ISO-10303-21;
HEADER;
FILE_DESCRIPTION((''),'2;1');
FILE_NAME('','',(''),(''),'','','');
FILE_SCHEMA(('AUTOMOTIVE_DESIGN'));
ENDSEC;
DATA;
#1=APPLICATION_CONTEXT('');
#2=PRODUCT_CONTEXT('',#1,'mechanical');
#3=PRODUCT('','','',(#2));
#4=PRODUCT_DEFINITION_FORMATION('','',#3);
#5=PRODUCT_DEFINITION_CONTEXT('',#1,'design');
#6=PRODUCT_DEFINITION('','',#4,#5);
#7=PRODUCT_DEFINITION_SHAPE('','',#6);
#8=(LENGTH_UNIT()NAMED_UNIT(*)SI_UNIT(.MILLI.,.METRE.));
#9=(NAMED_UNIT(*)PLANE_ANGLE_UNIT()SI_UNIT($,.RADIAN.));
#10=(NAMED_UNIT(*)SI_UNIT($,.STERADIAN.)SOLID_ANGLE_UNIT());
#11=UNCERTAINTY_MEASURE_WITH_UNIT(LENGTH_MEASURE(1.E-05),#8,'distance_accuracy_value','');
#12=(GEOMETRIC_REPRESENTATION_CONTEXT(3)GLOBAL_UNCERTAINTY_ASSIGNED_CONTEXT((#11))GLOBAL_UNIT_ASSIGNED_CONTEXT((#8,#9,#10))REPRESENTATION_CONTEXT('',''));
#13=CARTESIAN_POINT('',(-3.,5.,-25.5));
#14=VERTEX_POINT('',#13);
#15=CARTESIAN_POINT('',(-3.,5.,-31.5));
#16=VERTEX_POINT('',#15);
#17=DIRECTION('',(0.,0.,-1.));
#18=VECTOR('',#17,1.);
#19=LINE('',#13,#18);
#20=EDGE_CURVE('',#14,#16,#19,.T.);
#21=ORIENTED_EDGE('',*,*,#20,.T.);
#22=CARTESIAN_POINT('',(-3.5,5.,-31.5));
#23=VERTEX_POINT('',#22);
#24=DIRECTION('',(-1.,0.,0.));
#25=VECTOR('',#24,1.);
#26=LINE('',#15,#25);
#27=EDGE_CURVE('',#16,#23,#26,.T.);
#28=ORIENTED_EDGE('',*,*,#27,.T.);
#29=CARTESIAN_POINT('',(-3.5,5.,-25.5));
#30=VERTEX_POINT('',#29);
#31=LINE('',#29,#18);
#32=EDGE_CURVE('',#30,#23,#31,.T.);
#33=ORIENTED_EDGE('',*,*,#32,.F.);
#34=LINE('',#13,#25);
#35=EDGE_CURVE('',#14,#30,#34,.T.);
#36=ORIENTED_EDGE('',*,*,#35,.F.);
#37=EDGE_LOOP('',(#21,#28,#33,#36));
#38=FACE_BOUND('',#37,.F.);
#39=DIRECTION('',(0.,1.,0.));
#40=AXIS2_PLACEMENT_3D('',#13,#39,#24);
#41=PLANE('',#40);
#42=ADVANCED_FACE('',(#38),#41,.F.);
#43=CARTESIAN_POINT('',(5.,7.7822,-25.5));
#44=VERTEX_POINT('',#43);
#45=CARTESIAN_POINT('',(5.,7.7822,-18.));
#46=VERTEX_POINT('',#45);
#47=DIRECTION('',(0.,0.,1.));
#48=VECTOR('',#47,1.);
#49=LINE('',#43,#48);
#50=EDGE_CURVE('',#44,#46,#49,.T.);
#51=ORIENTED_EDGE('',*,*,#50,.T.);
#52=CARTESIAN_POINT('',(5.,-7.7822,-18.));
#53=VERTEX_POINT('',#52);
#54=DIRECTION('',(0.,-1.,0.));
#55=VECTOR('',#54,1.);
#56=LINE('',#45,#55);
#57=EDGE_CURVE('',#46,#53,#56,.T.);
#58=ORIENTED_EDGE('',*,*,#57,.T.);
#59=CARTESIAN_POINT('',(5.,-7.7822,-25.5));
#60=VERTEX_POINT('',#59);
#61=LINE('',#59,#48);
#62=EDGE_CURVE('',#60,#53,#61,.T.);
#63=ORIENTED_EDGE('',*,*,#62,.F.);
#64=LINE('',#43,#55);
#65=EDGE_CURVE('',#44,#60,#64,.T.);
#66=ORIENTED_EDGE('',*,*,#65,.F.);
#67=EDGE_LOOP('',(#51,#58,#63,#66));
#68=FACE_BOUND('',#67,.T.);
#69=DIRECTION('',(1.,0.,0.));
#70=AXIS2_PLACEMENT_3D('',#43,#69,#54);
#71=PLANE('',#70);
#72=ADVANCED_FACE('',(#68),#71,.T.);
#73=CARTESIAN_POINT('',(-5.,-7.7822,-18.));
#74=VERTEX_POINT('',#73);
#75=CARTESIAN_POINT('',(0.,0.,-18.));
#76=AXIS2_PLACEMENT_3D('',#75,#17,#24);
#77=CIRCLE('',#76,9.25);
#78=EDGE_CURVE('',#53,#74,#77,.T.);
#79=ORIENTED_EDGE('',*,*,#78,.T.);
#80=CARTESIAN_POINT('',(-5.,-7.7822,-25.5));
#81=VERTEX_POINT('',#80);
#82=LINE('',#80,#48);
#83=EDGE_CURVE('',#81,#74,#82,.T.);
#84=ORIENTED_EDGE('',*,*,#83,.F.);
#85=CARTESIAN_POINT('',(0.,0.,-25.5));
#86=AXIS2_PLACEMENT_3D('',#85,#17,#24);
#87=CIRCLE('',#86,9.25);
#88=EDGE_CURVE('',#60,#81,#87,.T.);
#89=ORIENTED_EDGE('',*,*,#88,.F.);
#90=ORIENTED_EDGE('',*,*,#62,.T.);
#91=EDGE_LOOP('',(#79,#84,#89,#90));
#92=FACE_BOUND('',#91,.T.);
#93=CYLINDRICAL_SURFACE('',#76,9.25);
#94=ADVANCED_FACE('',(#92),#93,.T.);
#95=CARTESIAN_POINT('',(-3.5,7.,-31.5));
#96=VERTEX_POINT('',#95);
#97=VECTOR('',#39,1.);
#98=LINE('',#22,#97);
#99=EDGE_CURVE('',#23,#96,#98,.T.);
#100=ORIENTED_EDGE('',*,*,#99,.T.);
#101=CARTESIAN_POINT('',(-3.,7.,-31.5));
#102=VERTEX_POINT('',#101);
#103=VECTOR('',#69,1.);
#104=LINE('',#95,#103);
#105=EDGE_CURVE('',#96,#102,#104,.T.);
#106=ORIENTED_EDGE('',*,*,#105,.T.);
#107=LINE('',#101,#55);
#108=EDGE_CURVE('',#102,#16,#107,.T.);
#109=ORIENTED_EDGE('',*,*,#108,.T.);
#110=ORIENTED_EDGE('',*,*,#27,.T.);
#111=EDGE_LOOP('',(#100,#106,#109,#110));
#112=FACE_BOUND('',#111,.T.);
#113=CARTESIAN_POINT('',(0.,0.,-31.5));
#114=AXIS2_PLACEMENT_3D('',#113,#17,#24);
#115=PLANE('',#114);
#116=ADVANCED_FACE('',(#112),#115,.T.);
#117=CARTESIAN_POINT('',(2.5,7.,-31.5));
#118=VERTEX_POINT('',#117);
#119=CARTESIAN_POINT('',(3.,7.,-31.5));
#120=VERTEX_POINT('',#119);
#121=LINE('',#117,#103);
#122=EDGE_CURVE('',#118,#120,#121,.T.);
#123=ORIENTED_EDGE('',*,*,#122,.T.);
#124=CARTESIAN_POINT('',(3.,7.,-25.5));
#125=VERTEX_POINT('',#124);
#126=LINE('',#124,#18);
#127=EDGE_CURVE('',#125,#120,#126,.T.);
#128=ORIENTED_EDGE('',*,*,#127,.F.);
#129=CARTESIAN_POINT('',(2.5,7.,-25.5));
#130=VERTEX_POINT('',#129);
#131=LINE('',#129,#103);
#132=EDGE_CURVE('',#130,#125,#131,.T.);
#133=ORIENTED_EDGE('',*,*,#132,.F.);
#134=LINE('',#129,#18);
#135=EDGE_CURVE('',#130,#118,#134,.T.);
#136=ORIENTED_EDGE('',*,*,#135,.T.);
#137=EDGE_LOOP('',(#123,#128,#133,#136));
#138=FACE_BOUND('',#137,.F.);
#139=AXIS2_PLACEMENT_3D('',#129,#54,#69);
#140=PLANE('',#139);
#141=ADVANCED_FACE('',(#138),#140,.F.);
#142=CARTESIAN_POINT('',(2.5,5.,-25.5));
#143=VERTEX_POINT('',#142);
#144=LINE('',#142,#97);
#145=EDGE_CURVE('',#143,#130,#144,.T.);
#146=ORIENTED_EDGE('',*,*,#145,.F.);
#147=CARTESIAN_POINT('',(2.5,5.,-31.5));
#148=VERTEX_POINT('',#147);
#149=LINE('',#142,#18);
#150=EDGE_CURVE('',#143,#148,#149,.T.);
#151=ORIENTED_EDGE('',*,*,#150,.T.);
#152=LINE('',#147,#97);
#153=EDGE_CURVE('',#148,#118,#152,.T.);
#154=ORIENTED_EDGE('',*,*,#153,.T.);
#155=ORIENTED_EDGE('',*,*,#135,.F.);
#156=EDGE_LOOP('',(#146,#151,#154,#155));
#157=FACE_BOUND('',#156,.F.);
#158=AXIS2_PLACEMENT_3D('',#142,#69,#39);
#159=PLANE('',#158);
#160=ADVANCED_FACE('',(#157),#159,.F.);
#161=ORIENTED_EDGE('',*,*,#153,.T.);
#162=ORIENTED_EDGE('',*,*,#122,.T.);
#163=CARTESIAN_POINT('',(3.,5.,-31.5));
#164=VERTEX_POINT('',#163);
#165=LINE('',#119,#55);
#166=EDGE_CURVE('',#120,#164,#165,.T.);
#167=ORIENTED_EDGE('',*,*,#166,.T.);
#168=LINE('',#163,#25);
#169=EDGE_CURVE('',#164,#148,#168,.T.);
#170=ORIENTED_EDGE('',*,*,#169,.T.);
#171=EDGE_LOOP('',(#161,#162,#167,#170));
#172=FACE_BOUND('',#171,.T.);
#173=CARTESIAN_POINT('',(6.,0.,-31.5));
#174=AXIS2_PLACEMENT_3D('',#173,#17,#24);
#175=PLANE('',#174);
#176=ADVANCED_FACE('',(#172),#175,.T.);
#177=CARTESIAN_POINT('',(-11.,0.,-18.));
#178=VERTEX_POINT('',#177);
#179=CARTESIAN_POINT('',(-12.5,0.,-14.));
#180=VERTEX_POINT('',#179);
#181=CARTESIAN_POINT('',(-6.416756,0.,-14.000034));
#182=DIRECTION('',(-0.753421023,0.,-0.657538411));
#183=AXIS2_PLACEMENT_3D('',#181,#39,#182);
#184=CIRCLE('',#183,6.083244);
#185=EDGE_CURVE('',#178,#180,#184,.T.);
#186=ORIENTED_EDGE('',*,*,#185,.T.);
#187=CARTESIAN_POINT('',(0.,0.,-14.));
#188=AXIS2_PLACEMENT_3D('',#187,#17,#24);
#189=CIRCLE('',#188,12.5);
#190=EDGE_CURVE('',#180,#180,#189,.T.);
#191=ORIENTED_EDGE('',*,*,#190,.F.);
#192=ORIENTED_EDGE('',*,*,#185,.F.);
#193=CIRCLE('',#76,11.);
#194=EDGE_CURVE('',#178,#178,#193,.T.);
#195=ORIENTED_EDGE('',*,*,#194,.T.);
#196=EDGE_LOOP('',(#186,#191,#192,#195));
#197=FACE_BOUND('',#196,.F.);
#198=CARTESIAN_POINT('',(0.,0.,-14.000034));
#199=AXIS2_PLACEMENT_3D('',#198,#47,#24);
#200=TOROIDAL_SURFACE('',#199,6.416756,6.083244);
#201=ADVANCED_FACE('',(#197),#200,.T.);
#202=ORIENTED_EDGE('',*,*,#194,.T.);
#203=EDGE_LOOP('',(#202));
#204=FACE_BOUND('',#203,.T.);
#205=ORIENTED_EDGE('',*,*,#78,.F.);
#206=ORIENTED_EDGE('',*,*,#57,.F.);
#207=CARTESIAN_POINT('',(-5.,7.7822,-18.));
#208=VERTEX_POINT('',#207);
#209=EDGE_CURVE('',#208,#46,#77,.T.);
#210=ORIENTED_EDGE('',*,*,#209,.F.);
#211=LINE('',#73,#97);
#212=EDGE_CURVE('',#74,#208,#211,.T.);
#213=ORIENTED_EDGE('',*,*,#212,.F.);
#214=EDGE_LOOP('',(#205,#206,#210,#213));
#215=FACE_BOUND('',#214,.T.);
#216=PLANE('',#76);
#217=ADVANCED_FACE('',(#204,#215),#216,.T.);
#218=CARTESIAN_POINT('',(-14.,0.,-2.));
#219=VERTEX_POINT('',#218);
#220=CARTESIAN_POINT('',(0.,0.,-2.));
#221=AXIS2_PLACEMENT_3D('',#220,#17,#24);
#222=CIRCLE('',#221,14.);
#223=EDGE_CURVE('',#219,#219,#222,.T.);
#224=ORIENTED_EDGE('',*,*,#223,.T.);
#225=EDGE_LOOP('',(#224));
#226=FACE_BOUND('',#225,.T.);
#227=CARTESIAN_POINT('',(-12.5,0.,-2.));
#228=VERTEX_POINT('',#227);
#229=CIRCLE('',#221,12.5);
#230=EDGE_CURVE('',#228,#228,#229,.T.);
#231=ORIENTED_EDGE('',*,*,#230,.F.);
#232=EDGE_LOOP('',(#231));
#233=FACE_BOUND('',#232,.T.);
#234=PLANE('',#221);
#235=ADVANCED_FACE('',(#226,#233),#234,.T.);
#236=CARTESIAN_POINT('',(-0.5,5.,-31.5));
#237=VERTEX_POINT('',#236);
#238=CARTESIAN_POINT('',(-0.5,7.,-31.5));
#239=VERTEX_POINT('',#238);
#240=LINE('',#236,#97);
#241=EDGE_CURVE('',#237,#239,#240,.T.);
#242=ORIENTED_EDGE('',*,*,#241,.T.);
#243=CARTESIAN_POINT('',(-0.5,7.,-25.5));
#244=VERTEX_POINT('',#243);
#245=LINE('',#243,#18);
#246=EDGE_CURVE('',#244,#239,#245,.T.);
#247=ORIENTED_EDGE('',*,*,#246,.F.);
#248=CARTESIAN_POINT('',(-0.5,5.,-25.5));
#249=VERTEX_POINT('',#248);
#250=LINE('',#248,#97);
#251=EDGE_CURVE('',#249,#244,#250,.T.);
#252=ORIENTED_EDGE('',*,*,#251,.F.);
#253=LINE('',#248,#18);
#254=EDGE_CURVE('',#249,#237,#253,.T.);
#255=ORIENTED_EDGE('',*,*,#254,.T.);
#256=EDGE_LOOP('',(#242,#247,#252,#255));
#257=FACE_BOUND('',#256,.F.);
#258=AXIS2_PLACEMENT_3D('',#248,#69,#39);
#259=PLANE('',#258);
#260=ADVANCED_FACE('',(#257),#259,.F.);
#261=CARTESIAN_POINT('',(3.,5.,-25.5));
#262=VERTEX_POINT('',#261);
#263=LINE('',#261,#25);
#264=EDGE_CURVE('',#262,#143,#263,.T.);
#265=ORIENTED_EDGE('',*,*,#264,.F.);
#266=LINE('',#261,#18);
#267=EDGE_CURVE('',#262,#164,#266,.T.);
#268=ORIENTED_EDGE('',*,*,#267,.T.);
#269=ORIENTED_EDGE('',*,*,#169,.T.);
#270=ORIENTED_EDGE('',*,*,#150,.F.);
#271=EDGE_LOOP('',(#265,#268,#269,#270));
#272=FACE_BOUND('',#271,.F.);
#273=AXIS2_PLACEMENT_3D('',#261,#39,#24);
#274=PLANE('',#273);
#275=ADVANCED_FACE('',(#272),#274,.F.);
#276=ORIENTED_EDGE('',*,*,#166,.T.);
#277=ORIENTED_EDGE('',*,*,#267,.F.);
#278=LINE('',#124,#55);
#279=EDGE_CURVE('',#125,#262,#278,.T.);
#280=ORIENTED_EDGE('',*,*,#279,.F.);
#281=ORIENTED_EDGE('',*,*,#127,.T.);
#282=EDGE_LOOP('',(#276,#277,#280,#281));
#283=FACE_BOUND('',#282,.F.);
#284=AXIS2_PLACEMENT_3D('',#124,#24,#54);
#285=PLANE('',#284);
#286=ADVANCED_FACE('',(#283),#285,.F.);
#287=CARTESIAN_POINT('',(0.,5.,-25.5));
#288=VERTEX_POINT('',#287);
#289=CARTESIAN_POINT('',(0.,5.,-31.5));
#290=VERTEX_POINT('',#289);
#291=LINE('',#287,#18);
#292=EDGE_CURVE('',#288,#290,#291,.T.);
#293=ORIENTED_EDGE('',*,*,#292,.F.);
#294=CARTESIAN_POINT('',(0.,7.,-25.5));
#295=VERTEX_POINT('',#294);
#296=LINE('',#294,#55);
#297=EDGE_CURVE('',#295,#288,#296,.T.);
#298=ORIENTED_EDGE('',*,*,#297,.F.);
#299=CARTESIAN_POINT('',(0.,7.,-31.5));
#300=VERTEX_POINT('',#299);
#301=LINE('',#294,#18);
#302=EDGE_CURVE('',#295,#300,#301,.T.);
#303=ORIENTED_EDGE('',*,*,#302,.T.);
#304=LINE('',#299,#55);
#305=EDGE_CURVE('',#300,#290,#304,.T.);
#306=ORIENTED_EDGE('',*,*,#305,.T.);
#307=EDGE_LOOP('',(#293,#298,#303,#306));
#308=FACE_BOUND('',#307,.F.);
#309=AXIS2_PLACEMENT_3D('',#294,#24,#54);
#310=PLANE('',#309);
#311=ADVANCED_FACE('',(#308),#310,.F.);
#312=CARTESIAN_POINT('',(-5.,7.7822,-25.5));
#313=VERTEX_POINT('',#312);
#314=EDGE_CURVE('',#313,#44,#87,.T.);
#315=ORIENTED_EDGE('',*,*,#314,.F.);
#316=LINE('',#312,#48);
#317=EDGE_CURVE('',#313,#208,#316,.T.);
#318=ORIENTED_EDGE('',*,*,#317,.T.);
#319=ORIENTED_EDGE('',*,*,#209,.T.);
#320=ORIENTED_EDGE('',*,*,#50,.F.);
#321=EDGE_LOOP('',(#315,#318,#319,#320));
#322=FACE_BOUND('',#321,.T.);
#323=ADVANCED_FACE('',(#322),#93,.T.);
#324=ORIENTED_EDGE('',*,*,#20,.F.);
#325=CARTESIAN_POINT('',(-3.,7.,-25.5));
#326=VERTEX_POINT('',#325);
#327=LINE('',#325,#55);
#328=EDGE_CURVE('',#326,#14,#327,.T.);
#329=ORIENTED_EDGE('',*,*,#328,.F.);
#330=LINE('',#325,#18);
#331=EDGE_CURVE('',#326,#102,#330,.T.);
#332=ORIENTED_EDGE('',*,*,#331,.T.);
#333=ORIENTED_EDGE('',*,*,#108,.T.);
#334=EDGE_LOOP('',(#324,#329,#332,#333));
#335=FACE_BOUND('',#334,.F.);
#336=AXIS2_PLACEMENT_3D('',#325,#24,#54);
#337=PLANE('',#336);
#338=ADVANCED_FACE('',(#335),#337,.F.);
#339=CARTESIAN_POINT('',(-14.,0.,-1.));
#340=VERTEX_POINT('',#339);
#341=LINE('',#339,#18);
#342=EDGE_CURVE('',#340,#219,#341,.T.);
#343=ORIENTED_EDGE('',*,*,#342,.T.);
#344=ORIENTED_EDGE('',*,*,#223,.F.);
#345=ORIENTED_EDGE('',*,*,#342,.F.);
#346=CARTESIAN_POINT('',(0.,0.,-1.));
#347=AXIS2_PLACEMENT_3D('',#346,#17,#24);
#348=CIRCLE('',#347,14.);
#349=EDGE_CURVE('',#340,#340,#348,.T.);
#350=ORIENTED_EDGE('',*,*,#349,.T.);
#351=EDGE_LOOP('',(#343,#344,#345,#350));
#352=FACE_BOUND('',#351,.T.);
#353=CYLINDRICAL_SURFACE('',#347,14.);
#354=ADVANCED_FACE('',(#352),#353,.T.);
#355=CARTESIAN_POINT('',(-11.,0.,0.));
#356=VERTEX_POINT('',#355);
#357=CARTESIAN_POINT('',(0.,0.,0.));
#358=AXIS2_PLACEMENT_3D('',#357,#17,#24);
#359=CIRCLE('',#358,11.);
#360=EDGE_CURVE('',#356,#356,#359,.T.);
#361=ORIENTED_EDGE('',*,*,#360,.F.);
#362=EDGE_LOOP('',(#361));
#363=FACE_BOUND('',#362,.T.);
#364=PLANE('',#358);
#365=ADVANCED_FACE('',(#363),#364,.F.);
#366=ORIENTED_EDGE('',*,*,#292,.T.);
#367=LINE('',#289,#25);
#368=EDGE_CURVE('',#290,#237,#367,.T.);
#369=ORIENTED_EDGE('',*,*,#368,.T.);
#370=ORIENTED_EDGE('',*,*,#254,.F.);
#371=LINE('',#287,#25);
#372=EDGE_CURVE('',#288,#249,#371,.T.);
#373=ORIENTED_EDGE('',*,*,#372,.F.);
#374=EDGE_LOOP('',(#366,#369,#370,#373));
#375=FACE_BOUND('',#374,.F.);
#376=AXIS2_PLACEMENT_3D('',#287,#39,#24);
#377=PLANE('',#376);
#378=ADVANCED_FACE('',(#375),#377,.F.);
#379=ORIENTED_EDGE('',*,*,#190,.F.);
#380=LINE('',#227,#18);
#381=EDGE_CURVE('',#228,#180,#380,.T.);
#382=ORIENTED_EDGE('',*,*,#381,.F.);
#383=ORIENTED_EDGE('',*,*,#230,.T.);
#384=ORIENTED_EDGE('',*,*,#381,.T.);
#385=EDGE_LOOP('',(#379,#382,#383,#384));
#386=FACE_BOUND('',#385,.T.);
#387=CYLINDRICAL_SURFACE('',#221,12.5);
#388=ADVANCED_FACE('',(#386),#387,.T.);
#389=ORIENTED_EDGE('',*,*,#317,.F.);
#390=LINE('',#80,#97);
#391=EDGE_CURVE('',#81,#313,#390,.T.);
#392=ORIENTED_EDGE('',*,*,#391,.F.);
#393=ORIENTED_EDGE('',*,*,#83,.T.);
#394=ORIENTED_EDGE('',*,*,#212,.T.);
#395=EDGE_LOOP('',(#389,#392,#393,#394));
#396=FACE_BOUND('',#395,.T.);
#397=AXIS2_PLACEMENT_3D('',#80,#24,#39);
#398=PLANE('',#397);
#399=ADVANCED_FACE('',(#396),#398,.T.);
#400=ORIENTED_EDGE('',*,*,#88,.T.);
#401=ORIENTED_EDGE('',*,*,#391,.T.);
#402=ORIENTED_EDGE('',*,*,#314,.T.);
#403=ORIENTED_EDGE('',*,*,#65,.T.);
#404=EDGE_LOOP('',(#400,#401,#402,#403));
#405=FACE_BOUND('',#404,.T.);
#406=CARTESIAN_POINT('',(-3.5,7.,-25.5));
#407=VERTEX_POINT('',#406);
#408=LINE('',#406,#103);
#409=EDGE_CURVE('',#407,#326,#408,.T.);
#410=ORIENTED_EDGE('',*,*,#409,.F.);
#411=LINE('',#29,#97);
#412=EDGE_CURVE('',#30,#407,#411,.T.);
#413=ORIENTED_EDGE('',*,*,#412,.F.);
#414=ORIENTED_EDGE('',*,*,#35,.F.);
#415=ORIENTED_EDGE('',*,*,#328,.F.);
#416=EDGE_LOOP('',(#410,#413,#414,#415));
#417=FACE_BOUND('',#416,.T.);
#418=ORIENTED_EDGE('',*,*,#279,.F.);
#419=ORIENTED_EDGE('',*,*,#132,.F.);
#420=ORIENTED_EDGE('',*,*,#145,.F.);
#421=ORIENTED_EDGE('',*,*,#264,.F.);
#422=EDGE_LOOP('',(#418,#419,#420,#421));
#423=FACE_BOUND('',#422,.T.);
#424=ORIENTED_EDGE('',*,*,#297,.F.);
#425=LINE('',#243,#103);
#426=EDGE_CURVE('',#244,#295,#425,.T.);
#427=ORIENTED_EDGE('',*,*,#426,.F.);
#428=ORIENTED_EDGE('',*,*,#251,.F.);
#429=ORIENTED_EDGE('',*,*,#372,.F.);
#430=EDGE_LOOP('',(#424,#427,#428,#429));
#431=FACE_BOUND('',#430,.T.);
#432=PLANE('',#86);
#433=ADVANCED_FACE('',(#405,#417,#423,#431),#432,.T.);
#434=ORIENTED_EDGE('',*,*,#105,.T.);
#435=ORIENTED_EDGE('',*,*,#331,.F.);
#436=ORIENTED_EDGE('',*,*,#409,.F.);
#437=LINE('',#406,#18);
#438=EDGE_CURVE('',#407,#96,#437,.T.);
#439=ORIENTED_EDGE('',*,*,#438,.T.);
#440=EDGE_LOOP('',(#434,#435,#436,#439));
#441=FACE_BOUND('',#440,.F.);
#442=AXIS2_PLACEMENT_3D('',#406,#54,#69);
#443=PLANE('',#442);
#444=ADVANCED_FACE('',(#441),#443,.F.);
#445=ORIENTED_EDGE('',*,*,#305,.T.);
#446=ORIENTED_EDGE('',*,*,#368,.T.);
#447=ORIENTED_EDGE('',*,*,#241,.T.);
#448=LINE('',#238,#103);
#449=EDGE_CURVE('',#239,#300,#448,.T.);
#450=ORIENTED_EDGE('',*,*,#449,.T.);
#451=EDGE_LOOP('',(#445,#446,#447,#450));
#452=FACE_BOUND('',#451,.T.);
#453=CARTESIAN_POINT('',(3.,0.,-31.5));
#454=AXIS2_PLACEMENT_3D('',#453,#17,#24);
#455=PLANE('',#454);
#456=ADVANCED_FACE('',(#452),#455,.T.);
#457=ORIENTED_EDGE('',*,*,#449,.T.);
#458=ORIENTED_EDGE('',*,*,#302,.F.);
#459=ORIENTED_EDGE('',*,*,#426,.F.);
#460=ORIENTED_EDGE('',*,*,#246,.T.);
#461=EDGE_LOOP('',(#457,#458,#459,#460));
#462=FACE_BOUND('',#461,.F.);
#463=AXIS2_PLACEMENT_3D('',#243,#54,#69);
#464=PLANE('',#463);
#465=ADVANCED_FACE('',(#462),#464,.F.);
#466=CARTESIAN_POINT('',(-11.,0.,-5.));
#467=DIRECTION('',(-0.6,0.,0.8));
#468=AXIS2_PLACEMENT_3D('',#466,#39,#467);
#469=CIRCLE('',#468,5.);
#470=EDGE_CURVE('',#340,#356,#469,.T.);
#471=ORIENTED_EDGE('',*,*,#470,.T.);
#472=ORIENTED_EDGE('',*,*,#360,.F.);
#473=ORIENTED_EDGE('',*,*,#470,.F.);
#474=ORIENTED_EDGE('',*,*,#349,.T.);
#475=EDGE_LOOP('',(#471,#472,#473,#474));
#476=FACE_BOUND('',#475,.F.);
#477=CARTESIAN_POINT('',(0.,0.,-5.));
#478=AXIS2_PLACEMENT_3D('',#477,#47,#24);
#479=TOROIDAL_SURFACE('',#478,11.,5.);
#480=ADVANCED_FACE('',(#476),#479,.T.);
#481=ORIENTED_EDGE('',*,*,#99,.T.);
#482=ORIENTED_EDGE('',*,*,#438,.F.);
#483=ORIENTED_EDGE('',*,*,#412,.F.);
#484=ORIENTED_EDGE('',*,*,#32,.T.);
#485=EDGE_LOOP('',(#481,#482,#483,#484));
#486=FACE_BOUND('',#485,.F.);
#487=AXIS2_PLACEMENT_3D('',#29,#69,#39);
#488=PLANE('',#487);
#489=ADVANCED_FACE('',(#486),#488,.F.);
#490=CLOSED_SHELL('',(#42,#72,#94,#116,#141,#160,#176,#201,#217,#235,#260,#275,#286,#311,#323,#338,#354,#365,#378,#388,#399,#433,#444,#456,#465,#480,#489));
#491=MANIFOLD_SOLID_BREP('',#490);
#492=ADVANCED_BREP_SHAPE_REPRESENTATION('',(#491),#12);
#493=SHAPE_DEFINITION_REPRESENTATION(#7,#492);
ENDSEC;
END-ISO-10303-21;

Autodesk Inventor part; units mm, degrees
ref_plane "YZ Plane" through (0, 0, 0) normal (1, 0, 0) x (0, 1, 0)
ref_plane "XZ Plane" through (0, 0, 0) normal (0, 1, 0) x (-1, 0, 0)
ref_plane "XY Plane" through (0, 0, 0) normal (0, 0, 1) x (1, 0, 0)
sketch "Skizze1" plane through (0, 0, 0) normal (0, 1, 0) x (-1, 0, 0)
  line L0 (0, 0) -> (0, -100) construction
  line L1 (0, 0) -> (11, 0)
  arc A0 (14, -1) -> (11, 0) centre (11, -5) ccw
  line L2 (14, -1) -> (14, -2)
  line L3 (14, -2) -> (12.5, -2)
  line L4 (12.5, -2) -> (12.5, -14)
  arc A1 (11, -18) -> (12.5, -14) centre (6.4167, -14) ccw
  line L5 (11, -18) -> (9.25, -18)
  line L6 (9.25, -18) -> (9.25, -25.5)
  line L7 (9.25, -25.5) -> (0, -25.5)
  line L8 (0, 0) -> (0, -25.5)
  point P0 (13.25, -2)
  dimension "d0" = 100
  dimension "d1" = 25
  dimension "d2" = 28
  dimension "d3" = 2
  dimension "d4" = 1
  dimension "d5" = 3
  dimension "d6" = 12
  dimension "d7" = 4
  dimension "d8" = 22
  dimension "d9" = 18.5
  dimension "d10" = 7.5
revolve "Umdrehung1" add sketch "Skizze1" angle 360 about axis through (0, 0, 0) along (0, 0, -1)
thread "Gewinde1" size "M25x2" class "6g" standard "ISO Metric profile" full length
sketch "Skizze2" plane through (0, 0, -25.5) normal (0, 0, -1) x (-1, 0, 0)
  circle A0 centre (0, 0) radius 9.25 projected
  line L0 (5, 7.7822) -> (-5, 7.7822)
  line L1 (-5, 7.7822) -> (-5, -7.7822)
  line L2 (-5, -7.7822) -> (5, -7.7822)
  line L3 (5, -7.7822) -> (5, 7.7822)
  dimension "d14" = 10
extrude "Extrusion1" cut sketch "Skizze2" against normal up to surface (7.5 mm away) contours A0 L3 | L1 A0
sketch "Skizze3" plane through (0, 0, -25.5) normal (0, 0, -1) x (-1, 0, 0)
  line L0 (3.5, 7) -> (3, 7)
  line L1 (3, 7) -> (3, 5)
  line L2 (3, 5) -> (3.5, 5)
  line L3 (3.5, 5) -> (3.5, 7)
  point P0 (0, 0)
  point P1 (3, 6)
  dimension "d17" = 0.5
  dimension "d18" = 2
  dimension "d19" = 5
  dimension "d20" = 3
extrude "Extrusion2" add sketch "Skizze3" along normal blind 6
pattern_linear "Rechteckige Anordnung1" count 3 spacing 3 along (1, 0, 0) of "Extrusion2"
properties part number "Druckknopf_Konsole_groß" material "Stahl, galvanisiert"
